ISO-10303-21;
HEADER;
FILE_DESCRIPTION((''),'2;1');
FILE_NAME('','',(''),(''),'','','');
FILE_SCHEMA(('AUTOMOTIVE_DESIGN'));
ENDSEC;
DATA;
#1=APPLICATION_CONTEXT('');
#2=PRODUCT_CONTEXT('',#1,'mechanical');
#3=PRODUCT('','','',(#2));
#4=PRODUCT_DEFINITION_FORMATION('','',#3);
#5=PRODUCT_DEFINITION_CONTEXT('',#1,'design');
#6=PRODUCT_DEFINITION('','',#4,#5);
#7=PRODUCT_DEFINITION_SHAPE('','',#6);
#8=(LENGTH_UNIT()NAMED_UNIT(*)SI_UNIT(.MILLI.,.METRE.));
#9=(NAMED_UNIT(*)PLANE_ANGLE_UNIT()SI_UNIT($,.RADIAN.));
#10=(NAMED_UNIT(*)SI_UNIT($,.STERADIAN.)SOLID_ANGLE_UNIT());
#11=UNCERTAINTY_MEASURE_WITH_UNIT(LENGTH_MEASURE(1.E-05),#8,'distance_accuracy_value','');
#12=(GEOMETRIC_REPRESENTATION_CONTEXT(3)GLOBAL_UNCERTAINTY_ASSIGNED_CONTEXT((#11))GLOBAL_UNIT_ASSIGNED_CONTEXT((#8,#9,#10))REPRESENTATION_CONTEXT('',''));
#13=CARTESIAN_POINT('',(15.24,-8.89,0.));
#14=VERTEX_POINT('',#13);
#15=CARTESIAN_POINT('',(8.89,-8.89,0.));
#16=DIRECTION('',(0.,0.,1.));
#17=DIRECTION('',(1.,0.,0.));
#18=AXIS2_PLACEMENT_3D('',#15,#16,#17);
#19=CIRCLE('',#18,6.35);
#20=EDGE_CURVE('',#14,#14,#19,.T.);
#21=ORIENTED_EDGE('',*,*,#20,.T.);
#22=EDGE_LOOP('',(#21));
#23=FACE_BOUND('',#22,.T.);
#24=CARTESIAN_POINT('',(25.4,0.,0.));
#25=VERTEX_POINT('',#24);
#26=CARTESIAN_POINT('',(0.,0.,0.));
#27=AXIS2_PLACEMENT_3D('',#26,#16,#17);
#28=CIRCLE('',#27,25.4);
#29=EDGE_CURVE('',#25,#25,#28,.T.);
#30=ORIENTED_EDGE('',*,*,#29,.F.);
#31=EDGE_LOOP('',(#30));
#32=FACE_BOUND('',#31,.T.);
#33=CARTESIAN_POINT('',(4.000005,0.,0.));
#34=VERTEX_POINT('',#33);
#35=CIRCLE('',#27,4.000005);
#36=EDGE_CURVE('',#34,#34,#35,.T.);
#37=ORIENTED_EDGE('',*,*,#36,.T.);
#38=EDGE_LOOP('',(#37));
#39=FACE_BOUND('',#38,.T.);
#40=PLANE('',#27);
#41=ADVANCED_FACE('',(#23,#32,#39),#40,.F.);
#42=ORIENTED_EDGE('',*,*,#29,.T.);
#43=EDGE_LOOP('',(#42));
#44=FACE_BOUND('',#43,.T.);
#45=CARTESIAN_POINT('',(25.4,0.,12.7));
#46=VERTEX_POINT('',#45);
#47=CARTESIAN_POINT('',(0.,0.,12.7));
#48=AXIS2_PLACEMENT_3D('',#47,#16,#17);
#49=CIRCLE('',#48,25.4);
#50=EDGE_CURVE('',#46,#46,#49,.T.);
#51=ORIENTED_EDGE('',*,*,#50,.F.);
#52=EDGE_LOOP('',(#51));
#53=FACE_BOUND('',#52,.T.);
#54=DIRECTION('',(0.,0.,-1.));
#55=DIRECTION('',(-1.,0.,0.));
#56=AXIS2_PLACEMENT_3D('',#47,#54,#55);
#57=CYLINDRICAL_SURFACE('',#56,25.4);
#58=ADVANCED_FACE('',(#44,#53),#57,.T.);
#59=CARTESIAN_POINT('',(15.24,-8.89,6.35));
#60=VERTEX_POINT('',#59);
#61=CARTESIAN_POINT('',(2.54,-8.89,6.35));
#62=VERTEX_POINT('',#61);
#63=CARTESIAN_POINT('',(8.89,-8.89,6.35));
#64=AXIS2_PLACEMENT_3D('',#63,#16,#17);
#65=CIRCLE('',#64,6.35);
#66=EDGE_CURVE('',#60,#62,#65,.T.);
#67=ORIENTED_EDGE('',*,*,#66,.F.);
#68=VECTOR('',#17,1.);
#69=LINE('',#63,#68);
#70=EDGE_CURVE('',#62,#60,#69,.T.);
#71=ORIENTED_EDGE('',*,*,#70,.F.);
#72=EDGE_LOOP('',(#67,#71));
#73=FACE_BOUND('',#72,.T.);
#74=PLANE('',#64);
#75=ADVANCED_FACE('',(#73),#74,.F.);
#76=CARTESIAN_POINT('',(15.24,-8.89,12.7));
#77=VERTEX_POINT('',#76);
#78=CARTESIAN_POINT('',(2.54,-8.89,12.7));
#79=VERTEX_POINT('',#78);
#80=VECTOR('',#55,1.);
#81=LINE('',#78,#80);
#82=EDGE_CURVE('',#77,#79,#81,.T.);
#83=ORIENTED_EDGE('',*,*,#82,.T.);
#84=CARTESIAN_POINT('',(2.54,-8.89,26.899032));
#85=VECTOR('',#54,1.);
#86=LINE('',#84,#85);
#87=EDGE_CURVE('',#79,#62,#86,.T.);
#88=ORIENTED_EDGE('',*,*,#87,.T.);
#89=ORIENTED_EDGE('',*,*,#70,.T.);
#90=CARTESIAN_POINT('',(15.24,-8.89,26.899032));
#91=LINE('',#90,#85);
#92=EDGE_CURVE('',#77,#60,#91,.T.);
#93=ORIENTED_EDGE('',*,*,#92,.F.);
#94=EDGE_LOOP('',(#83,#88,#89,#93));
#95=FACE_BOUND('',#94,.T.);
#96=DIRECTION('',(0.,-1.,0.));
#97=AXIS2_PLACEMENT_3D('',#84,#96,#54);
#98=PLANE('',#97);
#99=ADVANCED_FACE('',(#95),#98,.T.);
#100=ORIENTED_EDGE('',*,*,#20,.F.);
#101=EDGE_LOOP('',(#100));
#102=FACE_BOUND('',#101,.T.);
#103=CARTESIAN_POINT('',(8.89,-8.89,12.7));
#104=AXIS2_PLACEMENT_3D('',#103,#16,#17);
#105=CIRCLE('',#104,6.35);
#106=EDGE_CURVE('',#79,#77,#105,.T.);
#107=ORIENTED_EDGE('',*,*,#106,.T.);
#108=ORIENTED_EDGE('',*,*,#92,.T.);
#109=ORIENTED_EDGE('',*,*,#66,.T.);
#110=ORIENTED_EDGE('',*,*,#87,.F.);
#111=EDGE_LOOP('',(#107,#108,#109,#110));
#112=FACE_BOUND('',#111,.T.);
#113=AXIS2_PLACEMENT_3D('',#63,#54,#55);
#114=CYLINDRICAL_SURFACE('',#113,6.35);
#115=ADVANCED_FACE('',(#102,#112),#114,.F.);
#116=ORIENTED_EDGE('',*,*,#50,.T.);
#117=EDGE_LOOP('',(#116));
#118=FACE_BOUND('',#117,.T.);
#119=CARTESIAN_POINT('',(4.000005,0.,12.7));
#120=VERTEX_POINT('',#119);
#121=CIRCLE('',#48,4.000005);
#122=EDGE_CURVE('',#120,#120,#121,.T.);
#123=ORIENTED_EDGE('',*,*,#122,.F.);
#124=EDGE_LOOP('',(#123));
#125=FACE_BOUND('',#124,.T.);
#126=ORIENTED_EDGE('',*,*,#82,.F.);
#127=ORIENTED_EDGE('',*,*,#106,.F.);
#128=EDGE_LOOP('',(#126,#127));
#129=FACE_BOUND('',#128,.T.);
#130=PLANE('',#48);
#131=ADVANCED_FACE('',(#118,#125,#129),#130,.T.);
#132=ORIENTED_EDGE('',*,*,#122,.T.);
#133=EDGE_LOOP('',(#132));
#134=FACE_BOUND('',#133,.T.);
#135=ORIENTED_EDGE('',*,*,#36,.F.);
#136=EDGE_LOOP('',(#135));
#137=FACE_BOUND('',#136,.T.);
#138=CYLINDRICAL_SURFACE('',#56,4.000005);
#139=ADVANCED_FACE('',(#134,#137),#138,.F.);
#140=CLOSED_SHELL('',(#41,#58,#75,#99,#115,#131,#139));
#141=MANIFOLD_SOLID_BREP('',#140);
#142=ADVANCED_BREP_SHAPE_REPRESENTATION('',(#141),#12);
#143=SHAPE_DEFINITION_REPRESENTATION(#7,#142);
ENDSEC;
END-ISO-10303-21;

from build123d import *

# Parameters (mm, degrees)
SKETCH1_R           = 25.4
SKETCH1_R_2         = 4.0000047
BOSS_EXTRUDE1_DEPTH = 12.7
SKETCH2_R           = 6.35
CUT_EXTRUDE1_DEPTH  = 6.35
CUT_EXTRUDE2_DEPTH  = 12.7


with BuildPart() as part:
    # Sketch1 → Boss-Extrude1 (new body)
    with BuildSketch(Plane.XY):
        Circle(SKETCH1_R)
        Circle(SKETCH1_R_2, mode=Mode.SUBTRACT)
    extrude(amount=BOSS_EXTRUDE1_DEPTH)

    # Sketch2 → Cut-Extrude1 (cut)
    with BuildSketch(Plane.XY):
        with Locations((8.89, -8.89)):
            Circle(SKETCH2_R)
    extrude(amount=CUT_EXTRUDE1_DEPTH, mode=Mode.SUBTRACT)

    # Sketch3 → Cut-Extrude2 (cut)
    with BuildSketch(Plane.XY):
        with BuildLine():
            Line((2.54, -8.89), (15.24, -8.89))
            ThreePointArc((15.24, -8.89), (8.89, -15.24), (2.54, -8.89))
        make_face()
    extrude(amount=CUT_EXTRUDE2_DEPTH, mode=Mode.SUBTRACT)


solid = part.part
